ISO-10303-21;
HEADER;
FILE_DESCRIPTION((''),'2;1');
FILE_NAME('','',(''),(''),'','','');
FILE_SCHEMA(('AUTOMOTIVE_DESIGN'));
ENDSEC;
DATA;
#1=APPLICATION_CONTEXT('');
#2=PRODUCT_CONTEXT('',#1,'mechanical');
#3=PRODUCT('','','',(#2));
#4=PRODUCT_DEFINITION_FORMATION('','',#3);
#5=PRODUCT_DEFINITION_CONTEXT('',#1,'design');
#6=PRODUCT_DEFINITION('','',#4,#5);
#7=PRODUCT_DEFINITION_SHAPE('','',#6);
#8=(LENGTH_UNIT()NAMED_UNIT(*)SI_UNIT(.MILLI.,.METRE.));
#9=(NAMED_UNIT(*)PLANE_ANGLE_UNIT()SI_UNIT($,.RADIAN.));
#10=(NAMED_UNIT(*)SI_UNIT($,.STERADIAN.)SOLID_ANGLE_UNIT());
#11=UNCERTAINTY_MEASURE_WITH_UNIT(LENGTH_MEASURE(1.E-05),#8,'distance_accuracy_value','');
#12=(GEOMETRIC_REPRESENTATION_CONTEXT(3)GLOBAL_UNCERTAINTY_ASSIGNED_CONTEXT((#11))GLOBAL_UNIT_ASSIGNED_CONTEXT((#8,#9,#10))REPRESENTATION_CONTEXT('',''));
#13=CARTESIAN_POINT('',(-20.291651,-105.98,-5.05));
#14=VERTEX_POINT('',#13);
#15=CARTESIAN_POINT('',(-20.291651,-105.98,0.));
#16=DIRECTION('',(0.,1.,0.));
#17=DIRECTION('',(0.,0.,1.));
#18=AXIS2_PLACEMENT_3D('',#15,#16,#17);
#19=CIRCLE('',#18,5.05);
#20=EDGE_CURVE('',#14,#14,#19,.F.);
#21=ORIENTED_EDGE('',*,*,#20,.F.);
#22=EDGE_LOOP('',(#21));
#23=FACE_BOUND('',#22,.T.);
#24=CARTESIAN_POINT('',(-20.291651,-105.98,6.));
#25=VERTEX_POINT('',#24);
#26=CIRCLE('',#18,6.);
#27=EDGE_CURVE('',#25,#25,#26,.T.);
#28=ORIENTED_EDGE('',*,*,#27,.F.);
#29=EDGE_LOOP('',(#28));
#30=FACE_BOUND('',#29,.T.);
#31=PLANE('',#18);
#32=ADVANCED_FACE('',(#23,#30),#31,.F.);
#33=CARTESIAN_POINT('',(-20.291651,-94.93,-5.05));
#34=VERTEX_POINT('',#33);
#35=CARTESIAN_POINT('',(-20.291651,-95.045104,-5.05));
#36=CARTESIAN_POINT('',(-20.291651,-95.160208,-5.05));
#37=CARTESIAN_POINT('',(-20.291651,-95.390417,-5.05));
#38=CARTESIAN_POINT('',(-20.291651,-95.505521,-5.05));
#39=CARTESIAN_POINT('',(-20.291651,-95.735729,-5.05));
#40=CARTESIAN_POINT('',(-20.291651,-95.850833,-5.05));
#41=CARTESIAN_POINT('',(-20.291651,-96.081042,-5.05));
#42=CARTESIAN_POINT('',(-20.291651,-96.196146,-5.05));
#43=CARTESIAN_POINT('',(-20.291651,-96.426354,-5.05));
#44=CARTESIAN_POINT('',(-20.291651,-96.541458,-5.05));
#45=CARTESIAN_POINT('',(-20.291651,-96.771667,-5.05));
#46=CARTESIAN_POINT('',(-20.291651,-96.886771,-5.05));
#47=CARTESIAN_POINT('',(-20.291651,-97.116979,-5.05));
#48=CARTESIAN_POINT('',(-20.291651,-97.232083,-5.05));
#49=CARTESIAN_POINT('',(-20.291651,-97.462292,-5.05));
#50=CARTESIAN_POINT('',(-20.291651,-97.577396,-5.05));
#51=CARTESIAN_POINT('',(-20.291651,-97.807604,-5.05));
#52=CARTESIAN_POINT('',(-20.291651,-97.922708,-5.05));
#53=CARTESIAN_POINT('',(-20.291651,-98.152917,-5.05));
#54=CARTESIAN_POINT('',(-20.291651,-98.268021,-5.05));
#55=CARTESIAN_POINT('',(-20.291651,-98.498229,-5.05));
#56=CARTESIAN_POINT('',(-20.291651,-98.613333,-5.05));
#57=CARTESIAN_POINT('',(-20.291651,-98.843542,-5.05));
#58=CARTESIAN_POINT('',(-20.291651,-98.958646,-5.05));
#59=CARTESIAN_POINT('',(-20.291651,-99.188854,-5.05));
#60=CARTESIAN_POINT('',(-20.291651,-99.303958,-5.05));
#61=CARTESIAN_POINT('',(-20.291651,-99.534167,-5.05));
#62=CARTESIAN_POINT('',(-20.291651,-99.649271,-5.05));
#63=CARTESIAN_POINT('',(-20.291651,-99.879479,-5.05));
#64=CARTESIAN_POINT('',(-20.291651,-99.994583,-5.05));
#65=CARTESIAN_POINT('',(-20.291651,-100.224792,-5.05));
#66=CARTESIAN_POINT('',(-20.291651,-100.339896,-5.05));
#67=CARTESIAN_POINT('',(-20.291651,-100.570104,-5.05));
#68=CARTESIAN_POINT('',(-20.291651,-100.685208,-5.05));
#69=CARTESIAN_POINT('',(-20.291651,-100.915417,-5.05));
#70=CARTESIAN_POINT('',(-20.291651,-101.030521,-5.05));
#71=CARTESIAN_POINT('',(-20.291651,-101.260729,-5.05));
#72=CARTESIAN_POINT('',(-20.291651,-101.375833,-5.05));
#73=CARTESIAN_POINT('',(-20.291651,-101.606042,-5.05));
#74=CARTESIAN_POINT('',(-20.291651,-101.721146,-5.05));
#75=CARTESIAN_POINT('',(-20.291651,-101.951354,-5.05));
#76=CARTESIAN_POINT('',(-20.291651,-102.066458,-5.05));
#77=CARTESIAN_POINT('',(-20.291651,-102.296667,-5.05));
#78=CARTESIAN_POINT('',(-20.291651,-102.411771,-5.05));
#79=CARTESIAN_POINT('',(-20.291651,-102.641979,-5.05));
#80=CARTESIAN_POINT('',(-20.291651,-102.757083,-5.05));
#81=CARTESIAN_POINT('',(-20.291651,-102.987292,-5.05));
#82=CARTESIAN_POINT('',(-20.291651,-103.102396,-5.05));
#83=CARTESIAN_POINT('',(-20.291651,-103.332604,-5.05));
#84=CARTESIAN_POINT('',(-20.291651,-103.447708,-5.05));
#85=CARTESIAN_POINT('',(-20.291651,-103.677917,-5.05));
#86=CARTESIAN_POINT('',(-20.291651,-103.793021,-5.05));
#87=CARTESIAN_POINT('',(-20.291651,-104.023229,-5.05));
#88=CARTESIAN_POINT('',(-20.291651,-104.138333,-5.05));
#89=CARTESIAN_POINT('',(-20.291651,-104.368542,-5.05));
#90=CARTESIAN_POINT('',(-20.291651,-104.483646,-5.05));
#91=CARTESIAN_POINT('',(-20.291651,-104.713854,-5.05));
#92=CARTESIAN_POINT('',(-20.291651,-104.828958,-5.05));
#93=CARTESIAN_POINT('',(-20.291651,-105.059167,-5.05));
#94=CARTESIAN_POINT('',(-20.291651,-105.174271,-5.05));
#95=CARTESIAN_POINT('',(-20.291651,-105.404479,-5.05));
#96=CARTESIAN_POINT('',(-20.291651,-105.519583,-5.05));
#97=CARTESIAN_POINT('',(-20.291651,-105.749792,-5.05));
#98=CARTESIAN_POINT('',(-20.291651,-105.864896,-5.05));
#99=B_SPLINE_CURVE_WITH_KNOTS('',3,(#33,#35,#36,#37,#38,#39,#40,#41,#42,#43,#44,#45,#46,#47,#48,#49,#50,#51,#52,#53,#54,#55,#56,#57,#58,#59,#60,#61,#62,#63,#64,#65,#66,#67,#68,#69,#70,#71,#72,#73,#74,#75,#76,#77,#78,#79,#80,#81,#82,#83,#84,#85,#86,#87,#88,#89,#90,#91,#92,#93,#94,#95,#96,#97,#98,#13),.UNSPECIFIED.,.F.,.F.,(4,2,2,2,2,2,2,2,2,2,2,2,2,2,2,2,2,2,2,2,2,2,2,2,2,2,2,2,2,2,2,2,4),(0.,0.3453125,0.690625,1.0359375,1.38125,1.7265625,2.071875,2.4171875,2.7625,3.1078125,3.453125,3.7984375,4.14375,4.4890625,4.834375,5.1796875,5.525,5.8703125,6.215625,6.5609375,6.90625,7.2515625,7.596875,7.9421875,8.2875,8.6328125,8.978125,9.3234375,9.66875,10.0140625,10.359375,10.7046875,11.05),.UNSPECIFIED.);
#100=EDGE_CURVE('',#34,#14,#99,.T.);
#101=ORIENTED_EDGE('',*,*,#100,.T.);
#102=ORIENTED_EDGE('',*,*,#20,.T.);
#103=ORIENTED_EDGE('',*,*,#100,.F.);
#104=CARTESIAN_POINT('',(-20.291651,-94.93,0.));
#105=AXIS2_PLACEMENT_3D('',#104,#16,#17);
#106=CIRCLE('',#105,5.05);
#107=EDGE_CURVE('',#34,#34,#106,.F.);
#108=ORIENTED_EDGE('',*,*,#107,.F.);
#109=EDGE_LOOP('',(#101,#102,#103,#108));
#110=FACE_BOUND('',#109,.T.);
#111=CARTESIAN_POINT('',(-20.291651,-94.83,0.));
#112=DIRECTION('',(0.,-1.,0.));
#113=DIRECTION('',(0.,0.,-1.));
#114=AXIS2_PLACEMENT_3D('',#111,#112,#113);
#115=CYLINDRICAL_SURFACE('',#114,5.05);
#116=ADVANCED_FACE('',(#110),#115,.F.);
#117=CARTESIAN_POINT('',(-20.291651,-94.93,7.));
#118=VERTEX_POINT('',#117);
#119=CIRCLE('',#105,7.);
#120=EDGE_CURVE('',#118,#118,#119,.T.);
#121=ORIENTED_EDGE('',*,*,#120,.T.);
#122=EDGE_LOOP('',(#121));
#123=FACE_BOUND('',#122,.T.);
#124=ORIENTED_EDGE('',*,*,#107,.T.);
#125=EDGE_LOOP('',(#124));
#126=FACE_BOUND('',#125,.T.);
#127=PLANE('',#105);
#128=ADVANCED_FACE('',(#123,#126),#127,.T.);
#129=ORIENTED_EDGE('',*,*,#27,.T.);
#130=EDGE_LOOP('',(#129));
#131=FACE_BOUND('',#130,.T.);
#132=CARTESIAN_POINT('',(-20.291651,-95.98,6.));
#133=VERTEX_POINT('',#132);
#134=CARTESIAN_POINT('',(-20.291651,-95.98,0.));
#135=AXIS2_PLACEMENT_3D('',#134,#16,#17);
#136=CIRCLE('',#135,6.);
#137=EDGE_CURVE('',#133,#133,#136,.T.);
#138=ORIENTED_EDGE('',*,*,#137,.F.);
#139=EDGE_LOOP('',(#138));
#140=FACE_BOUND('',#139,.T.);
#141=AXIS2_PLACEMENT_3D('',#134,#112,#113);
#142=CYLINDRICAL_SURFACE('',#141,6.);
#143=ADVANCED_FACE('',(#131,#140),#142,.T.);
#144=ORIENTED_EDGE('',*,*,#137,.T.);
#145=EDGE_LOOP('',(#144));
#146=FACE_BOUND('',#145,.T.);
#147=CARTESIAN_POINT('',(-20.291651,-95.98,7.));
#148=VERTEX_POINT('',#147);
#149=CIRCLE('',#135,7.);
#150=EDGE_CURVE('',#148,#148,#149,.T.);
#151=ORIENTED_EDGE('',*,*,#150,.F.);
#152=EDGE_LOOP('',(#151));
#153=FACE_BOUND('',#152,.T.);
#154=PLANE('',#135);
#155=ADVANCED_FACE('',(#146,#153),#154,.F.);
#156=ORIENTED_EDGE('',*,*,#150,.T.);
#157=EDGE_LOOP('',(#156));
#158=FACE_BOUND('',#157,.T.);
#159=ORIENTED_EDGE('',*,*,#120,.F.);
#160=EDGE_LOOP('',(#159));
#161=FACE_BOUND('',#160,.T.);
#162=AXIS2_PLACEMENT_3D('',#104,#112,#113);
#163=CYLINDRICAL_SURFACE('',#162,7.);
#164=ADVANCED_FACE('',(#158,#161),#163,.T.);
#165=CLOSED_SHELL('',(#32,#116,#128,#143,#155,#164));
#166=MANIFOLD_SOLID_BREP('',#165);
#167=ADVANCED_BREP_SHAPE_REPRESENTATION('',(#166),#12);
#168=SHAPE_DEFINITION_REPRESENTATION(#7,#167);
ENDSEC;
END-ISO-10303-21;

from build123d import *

# Parameters (mm, degrees)
GUIDE_BUSH_BARREL_SKETCH_R = 6
GUIDE_BUSH_BARREL_DEPTH    = 10
GUIDE_BUSH_FLANGE_SKETCH_R = 7
GUIDE_BUSH_FLANGE_DEPTH    = 1.05
RUNNING_BORE_SKETCH_R      = 5.05
RUNNING_BORE_DEPTH         = 11.25


with BuildPart() as part:
    # Guide bush barrel sketch → Guide bush barrel (new body)
    with BuildSketch(Plane(origin=(0, -105.98, 0), x_dir=(1, 0, 0), z_dir=(0, 1, 0))):
        with Locations(Location((-20.291651246, 0, 0), (0, 0, 270))):
            Circle(GUIDE_BUSH_BARREL_SKETCH_R)
    extrude(amount=GUIDE_BUSH_BARREL_DEPTH)

    # Guide bush flange sketch → Guide bush flange (add)
    with BuildSketch(Plane(origin=(0, -95.98, 0), x_dir=(1, 0, 0), z_dir=(0, 1, 0))):
        with Locations(Location((-20.291651246, 0, 0), (0, 0, 270))):
            Circle(GUIDE_BUSH_FLANGE_SKETCH_R)
    extrude(amount=GUIDE_BUSH_FLANGE_DEPTH)

    # Running bore sketch → Running bore (cut)
    with BuildSketch(Plane(origin=(0, -106.08, 0), x_dir=(1, 0, 0), z_dir=(0, 1, 0))):
        with Locations(Location((-20.291651246, 0, 0), (0, 0, 90))):
            Circle(RUNNING_BORE_SKETCH_R)
    extrude(amount=RUNNING_BORE_DEPTH, mode=Mode.SUBTRACT)


solid = part.part
